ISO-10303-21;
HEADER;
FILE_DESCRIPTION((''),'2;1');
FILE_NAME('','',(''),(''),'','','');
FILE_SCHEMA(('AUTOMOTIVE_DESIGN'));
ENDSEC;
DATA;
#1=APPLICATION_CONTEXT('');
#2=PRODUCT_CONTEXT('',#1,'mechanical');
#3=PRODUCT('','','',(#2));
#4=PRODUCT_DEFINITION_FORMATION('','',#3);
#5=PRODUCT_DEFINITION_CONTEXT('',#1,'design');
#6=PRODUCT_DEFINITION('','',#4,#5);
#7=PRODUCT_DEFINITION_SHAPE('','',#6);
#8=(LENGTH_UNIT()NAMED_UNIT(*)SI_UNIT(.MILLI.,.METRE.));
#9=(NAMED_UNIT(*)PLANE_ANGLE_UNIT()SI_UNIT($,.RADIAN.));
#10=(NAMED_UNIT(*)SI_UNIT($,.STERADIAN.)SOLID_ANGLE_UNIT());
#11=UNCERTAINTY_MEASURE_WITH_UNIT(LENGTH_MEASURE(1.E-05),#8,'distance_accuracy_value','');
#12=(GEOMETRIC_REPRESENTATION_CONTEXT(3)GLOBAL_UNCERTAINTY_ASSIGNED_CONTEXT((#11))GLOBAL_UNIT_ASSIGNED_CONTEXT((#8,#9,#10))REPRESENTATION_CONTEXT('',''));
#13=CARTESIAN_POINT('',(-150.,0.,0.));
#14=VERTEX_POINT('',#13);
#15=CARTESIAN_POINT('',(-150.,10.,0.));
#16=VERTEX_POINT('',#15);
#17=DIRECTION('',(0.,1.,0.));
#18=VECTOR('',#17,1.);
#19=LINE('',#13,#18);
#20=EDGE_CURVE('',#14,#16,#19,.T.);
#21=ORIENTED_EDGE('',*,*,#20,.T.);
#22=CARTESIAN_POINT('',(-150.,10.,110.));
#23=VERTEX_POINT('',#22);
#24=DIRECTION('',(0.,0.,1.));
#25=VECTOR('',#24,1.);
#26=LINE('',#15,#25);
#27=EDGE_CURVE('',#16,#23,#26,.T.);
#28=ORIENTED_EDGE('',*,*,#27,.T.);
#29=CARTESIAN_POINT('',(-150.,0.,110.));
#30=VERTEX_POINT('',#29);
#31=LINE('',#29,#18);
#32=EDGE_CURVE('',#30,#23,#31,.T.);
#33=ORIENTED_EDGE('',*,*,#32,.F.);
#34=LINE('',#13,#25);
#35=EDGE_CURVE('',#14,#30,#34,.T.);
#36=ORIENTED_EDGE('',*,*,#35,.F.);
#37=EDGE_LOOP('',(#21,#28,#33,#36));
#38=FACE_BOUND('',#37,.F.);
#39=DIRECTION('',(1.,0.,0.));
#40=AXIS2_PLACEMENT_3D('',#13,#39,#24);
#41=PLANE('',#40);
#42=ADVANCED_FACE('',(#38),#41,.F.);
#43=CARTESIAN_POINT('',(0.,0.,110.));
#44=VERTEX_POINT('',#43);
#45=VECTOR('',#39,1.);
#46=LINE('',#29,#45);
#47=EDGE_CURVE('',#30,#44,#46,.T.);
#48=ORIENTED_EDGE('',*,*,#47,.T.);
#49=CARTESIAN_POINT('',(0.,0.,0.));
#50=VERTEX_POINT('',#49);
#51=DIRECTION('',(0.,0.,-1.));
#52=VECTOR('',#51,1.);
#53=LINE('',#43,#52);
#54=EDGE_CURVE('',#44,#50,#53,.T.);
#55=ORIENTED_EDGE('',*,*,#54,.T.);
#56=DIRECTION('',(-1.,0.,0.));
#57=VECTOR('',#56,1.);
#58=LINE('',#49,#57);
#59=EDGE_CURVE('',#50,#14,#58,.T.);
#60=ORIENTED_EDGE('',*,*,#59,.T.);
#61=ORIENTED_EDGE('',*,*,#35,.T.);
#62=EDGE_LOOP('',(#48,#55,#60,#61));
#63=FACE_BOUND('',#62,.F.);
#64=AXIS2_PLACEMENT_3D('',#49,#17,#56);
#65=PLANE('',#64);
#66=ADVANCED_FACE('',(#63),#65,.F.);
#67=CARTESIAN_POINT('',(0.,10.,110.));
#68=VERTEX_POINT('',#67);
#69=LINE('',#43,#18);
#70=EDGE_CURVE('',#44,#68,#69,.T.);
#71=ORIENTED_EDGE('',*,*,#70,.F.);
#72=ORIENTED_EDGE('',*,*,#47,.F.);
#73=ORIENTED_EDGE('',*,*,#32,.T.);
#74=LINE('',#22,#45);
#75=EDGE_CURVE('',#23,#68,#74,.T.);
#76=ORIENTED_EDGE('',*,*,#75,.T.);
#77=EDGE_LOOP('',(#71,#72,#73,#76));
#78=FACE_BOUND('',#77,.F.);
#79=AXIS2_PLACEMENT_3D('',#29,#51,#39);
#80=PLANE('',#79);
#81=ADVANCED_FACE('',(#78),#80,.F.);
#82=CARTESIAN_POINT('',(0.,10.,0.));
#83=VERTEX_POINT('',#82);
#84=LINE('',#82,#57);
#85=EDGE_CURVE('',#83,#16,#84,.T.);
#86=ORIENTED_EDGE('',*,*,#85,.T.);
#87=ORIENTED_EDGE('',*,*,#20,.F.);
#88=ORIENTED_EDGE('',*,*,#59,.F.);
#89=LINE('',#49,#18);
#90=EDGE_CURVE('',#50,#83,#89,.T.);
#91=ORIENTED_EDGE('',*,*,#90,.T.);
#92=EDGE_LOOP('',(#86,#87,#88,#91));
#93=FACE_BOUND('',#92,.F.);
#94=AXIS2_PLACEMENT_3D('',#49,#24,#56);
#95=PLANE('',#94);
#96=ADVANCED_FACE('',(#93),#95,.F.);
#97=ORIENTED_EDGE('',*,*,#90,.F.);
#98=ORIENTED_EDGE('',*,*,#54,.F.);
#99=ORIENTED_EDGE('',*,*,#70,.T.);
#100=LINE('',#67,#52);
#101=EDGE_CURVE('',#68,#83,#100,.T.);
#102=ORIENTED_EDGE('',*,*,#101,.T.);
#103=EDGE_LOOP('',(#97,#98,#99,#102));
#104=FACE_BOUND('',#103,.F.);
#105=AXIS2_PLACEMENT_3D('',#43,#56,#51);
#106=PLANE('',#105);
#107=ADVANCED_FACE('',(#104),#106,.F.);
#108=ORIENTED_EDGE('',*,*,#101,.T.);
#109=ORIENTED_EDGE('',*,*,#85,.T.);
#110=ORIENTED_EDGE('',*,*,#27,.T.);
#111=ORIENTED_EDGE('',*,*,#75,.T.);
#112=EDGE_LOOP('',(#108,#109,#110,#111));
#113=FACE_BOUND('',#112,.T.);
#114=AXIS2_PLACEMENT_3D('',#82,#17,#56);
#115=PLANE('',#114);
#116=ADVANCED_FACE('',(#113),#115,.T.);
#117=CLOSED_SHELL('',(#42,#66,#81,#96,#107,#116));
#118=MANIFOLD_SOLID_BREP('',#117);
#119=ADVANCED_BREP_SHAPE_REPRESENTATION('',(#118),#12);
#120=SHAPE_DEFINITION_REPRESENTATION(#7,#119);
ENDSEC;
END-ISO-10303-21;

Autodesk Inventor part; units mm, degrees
ref_plane "YZ Plane" through (0, 0, 0) normal (1, 0, 0) x (0, 1, 0)
ref_plane "XZ Plane" through (0, 0, 0) normal (0, 1, 0) x (-1, 0, 0)
ref_plane "XY Plane" through (0, 0, 0) normal (0, 0, 1) x (1, 0, 0)
sketch "Block1" plane through (0, 0, 0) normal (0, 0, 1) x (1, 0, 0)
  line L0 (-150.22, -0.22) -> (0.22, -0.22)
  line L1 (0.22, -0.22) -> (0.22, 110.22)
  line L2 (0.22, 110.22) -> (-150.22, 110.22)
  line L3 (-150.22, 110.22) -> (-150.22, -0.22)
  point P0 (-75, 55)
sketch "Sketch1" plane through (0, 0, 0) normal (0, 1, 0) x (-1, 0, 0)
  line L0 (0, 0) -> (150, 0)
  line L1 (150, 0) -> (150, 110)
  line L2 (150, 110) -> (0, 110)
  line L3 (0, 110) -> (0, 0)
  dimension "d0" = 110
  dimension "d1" = 150
extrude "Extrusion1" add sketch "Sketch1" along normal blind 10
sketch "Sketch2" plane through (0, 0, 0) normal (0, -1, 0) x (1, 0, 0)
  line L0 (0, 0) -> (-150, 0) projected
  line L1 (0, 110) -> (0, 0) projected
  line L2 (-150, 110) -> (0, 110) projected
  line L3 (-150, 0) -> (-150, 110) projected
sketch "DXF" plane through (0, 0, 0) normal (0, 1, 0) x (-1, 0, 0)
  point P0 (0, 0)
properties part number "boxsupport2"
